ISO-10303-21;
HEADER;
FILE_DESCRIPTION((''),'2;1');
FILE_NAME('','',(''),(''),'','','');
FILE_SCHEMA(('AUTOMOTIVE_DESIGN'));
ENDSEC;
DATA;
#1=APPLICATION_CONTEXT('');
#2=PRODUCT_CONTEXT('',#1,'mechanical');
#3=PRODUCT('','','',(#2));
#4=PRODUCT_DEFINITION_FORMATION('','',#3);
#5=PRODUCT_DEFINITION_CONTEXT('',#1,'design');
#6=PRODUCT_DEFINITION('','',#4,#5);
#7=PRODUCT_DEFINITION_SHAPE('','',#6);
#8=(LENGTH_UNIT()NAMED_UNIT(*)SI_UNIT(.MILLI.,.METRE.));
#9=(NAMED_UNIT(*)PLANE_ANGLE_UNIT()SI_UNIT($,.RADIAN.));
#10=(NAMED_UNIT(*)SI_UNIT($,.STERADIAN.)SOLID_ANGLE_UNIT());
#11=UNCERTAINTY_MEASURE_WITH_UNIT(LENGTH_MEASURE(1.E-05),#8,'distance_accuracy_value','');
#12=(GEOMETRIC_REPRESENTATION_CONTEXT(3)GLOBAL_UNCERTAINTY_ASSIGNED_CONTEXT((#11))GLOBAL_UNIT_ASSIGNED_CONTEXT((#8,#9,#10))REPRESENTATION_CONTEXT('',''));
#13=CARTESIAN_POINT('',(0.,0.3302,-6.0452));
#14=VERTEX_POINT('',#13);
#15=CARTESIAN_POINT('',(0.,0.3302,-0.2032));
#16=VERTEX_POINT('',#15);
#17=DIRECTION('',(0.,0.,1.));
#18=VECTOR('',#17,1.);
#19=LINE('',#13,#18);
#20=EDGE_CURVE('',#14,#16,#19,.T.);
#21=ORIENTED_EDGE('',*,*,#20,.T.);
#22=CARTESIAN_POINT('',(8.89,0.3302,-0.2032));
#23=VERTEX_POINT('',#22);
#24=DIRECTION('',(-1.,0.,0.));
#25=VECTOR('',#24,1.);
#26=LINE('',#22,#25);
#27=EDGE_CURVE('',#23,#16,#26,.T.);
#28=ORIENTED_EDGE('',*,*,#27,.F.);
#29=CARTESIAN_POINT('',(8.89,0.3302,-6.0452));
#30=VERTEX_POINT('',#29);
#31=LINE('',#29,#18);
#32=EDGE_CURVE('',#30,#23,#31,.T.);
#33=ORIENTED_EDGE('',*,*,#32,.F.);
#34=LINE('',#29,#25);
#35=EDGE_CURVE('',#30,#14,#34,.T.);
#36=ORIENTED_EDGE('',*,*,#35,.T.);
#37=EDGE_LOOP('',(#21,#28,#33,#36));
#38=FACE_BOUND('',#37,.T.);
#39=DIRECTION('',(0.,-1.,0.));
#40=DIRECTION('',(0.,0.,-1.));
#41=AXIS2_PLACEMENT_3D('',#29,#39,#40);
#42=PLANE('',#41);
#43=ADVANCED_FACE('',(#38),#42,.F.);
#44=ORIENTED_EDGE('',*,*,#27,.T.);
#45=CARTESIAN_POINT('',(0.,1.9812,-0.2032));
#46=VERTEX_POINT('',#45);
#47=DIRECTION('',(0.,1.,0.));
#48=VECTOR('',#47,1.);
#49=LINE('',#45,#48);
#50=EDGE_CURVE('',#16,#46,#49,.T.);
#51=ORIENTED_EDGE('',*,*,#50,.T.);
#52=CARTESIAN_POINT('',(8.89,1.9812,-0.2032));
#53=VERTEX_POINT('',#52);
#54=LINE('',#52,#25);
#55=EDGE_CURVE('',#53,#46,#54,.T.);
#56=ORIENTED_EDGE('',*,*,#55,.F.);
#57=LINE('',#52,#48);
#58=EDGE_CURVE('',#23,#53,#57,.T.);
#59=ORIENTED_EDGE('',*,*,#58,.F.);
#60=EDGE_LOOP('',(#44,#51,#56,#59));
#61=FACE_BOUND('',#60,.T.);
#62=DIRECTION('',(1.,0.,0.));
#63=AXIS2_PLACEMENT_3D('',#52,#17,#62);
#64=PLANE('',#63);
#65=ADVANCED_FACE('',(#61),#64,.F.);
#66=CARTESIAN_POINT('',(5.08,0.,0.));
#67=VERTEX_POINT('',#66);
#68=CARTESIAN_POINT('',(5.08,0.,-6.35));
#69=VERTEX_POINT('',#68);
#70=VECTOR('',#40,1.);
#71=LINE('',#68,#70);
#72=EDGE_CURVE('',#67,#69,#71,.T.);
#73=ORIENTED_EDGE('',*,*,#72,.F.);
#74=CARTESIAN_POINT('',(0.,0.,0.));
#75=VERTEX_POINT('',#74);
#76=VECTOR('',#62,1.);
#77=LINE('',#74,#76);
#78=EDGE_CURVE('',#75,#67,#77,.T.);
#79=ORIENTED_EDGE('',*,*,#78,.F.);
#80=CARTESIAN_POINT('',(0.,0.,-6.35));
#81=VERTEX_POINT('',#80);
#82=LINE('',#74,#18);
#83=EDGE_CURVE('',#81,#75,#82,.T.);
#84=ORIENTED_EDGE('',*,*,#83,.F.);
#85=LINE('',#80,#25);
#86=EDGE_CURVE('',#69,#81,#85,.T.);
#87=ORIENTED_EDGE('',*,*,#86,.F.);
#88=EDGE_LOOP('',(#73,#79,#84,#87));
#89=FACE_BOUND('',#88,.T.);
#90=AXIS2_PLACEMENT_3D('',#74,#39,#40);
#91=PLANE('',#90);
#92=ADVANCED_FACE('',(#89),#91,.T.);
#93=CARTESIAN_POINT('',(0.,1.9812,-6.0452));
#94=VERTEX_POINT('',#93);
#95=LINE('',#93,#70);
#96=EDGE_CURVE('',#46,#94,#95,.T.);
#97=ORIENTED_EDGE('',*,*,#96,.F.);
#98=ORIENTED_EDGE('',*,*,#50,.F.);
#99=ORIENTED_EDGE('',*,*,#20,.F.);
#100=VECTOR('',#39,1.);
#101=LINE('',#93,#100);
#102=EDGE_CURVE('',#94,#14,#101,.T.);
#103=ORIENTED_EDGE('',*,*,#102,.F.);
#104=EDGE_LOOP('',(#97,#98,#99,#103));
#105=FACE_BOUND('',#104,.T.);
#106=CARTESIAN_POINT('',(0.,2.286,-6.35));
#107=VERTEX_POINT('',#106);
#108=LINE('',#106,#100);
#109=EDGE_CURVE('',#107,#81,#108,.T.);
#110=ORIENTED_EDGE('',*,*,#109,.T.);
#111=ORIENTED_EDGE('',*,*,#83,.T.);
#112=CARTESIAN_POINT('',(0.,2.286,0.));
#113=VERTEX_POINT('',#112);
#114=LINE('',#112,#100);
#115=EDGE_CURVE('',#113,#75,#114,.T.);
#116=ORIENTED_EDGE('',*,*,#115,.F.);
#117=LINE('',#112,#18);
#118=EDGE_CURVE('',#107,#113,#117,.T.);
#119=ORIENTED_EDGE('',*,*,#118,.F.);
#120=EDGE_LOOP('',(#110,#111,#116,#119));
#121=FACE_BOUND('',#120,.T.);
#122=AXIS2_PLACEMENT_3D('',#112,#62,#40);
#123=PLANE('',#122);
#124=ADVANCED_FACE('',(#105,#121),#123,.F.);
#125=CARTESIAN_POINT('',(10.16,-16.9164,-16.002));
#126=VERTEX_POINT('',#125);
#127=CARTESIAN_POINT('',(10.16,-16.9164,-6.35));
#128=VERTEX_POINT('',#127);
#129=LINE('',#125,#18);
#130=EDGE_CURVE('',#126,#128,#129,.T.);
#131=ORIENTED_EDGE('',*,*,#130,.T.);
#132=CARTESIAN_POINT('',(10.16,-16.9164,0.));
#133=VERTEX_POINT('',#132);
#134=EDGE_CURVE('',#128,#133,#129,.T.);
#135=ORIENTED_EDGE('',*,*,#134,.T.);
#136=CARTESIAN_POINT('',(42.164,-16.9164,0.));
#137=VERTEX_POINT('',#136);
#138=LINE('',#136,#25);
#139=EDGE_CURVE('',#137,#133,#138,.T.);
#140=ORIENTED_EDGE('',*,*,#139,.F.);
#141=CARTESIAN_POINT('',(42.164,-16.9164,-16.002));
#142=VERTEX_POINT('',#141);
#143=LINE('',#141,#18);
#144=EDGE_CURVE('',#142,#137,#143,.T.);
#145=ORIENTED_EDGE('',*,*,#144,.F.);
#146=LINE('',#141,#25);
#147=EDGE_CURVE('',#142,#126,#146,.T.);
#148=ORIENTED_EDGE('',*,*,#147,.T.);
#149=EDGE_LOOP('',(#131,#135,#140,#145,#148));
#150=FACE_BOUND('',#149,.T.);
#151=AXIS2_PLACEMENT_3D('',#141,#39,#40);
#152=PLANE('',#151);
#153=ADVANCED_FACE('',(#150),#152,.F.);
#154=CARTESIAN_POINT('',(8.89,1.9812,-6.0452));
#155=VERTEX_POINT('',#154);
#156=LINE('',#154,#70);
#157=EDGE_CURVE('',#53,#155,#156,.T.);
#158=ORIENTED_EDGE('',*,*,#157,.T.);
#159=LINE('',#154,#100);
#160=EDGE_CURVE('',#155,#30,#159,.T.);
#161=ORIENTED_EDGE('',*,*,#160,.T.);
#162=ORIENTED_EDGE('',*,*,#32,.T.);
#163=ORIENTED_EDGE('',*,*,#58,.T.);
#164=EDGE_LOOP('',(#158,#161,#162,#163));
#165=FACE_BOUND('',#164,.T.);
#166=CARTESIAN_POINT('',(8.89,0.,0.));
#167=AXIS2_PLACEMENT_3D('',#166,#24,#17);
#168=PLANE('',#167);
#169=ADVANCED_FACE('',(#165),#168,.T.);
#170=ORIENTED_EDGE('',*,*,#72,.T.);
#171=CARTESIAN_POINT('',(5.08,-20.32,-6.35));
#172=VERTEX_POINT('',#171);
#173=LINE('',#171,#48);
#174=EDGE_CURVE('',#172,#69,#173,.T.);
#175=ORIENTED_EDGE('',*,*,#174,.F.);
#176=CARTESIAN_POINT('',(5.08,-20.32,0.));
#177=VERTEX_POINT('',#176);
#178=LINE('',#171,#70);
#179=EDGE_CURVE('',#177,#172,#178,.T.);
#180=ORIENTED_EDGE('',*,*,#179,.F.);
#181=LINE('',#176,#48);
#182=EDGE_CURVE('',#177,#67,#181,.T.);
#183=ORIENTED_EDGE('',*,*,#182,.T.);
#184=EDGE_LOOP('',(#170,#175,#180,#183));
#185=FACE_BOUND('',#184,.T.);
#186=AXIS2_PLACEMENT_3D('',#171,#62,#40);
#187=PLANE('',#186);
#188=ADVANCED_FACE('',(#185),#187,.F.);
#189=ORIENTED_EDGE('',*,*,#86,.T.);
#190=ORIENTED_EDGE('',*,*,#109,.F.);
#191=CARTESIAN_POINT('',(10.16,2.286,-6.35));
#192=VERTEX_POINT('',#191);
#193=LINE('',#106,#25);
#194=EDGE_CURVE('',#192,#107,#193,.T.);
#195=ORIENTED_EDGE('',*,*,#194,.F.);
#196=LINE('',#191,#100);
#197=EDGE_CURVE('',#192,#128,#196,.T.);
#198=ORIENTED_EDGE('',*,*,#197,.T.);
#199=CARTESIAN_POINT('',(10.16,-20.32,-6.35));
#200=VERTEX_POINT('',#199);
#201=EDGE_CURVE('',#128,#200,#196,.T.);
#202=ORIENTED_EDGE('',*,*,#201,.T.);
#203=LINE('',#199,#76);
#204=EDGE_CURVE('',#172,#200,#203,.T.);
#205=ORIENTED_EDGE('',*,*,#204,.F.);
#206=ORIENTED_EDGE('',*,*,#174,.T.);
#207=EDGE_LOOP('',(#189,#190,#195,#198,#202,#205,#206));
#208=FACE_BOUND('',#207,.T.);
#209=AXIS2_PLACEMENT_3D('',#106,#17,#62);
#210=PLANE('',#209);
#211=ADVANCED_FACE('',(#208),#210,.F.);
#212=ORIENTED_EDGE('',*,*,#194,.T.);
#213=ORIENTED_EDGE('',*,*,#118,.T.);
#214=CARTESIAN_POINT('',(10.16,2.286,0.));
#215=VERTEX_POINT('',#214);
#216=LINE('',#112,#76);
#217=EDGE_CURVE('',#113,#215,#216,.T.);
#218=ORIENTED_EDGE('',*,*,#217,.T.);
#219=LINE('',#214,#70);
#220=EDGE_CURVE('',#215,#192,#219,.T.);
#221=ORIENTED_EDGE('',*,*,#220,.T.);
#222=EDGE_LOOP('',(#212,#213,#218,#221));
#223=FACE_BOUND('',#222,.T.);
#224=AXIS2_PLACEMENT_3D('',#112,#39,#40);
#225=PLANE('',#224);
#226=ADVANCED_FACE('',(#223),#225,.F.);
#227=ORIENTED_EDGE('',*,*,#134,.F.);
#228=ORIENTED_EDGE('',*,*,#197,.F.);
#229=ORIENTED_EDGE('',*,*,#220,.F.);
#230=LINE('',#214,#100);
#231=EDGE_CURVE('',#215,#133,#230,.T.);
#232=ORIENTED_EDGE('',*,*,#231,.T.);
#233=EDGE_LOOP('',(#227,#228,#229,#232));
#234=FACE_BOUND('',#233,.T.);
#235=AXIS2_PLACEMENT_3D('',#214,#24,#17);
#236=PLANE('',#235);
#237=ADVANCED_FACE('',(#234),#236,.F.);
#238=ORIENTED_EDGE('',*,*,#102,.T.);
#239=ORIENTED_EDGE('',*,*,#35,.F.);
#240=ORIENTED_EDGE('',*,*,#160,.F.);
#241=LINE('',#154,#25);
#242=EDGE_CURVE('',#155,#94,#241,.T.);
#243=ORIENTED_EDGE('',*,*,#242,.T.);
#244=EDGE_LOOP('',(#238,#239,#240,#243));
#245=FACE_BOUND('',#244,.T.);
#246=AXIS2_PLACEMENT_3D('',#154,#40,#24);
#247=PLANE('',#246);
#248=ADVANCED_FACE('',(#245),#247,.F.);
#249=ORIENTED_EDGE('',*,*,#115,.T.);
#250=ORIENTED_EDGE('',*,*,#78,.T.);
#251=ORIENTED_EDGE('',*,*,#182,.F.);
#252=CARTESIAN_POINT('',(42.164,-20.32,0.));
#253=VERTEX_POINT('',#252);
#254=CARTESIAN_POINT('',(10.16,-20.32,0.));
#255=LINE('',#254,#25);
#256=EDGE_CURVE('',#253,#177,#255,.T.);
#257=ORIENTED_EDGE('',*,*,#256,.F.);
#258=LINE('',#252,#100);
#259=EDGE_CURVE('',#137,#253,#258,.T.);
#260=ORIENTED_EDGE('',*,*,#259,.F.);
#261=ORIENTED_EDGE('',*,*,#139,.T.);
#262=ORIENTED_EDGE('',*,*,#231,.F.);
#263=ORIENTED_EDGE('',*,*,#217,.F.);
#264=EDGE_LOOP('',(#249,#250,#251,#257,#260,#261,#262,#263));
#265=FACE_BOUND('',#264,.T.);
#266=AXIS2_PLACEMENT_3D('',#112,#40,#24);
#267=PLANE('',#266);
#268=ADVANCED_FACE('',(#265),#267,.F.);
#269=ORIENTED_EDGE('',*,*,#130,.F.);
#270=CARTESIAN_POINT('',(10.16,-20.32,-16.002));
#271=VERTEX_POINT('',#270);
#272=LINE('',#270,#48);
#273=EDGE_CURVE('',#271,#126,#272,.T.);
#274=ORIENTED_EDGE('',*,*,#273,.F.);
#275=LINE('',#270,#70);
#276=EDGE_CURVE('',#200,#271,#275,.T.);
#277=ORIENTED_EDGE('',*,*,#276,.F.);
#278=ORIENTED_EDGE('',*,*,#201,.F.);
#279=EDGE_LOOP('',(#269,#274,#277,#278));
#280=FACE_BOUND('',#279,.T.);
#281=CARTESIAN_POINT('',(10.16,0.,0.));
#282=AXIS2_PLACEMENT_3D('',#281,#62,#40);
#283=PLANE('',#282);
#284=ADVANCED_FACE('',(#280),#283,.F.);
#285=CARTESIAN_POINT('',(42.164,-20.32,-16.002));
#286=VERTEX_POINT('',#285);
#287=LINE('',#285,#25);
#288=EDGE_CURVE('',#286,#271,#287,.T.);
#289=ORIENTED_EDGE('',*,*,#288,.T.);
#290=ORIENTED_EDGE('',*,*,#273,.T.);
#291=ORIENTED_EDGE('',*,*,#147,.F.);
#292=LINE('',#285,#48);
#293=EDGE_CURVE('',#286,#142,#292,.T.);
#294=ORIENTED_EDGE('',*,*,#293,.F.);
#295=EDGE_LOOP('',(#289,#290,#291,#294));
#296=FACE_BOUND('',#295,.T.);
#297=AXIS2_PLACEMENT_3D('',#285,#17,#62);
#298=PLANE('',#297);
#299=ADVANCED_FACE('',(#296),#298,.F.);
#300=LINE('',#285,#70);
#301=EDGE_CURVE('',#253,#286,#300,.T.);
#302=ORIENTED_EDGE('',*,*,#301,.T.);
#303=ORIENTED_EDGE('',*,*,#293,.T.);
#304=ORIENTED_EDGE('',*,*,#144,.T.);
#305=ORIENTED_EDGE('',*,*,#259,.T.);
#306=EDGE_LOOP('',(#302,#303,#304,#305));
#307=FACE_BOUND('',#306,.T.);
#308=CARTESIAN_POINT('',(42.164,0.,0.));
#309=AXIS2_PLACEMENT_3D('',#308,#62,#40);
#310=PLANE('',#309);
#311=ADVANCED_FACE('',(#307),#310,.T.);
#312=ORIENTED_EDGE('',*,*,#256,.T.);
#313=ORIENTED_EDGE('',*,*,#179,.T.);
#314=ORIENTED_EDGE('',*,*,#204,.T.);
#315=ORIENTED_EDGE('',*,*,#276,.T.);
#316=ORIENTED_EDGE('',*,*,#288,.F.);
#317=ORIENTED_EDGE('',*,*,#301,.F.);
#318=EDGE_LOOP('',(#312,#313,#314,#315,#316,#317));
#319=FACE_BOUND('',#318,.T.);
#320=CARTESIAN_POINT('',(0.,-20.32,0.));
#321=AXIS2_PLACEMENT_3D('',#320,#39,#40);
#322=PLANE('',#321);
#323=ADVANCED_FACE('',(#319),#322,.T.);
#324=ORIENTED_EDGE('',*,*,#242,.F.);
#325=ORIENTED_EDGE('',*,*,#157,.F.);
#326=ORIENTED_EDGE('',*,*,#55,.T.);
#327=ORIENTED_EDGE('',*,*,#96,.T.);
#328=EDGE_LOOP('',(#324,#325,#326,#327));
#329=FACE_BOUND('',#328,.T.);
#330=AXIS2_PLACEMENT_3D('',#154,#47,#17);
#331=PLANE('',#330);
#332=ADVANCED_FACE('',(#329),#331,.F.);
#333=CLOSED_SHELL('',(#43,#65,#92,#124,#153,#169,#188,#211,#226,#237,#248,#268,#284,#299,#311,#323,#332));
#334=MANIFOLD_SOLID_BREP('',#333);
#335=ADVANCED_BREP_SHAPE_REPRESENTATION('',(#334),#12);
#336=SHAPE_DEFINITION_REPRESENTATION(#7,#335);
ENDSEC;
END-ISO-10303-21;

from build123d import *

# Parameters (mm, degrees)
SKETCH1_W           = 10.16
SKETCH1_H           = 6.35
BOSS_EXTRUDE1_DEPTH = 2.286
SKETCH2_W           = 5.842
SKETCH2_H           = 1.651
CUT_EXTRUDE1_DEPTH  = 8.89
SKETCH3_W           = 5.08
SKETCH3_H           = 6.35
BOSS_EXTRUDE2_DEPTH = 20.32
SKETCH4_W           = 16.002
SKETCH4_H           = 3.4036
BOSS_EXTRUDE3_DEPTH = 32.004


with BuildPart() as part:
    # Sketch1 → Boss-Extrude1 (new body)
    with BuildSketch(Plane(origin=(0, 0, 0), x_dir=(1, 0, 0), z_dir=(0, 1, 0))):
        with Locations((5.08, 3.175)):
            Rectangle(SKETCH1_W, SKETCH1_H)
    extrude(amount=BOSS_EXTRUDE1_DEPTH)

    # Sketch2 → Cut-Extrude1 (cut)
    with BuildSketch(Plane.ZY):
        with Locations((-3.1242, 1.1557)):
            Rectangle(SKETCH2_W, SKETCH2_H)
    extrude(amount=-CUT_EXTRUDE1_DEPTH, mode=Mode.SUBTRACT)

    # Sketch3 → Boss-Extrude2 (add)
    with BuildSketch(Plane.XZ):
        with Locations((7.62, -3.175)):
            Rectangle(SKETCH3_W, SKETCH3_H)
    extrude(amount=BOSS_EXTRUDE2_DEPTH)

    # Sketch4 → Boss-Extrude3 (add)
    with BuildSketch(Plane(origin=(10.16, 0, 0), x_dir=(0, 0, -1), z_dir=(1, 0, 0))):
        with Locations((8.001, -18.6182)):
            Rectangle(SKETCH4_W, SKETCH4_H)
    extrude(amount=BOSS_EXTRUDE3_DEPTH)


solid = part.part
